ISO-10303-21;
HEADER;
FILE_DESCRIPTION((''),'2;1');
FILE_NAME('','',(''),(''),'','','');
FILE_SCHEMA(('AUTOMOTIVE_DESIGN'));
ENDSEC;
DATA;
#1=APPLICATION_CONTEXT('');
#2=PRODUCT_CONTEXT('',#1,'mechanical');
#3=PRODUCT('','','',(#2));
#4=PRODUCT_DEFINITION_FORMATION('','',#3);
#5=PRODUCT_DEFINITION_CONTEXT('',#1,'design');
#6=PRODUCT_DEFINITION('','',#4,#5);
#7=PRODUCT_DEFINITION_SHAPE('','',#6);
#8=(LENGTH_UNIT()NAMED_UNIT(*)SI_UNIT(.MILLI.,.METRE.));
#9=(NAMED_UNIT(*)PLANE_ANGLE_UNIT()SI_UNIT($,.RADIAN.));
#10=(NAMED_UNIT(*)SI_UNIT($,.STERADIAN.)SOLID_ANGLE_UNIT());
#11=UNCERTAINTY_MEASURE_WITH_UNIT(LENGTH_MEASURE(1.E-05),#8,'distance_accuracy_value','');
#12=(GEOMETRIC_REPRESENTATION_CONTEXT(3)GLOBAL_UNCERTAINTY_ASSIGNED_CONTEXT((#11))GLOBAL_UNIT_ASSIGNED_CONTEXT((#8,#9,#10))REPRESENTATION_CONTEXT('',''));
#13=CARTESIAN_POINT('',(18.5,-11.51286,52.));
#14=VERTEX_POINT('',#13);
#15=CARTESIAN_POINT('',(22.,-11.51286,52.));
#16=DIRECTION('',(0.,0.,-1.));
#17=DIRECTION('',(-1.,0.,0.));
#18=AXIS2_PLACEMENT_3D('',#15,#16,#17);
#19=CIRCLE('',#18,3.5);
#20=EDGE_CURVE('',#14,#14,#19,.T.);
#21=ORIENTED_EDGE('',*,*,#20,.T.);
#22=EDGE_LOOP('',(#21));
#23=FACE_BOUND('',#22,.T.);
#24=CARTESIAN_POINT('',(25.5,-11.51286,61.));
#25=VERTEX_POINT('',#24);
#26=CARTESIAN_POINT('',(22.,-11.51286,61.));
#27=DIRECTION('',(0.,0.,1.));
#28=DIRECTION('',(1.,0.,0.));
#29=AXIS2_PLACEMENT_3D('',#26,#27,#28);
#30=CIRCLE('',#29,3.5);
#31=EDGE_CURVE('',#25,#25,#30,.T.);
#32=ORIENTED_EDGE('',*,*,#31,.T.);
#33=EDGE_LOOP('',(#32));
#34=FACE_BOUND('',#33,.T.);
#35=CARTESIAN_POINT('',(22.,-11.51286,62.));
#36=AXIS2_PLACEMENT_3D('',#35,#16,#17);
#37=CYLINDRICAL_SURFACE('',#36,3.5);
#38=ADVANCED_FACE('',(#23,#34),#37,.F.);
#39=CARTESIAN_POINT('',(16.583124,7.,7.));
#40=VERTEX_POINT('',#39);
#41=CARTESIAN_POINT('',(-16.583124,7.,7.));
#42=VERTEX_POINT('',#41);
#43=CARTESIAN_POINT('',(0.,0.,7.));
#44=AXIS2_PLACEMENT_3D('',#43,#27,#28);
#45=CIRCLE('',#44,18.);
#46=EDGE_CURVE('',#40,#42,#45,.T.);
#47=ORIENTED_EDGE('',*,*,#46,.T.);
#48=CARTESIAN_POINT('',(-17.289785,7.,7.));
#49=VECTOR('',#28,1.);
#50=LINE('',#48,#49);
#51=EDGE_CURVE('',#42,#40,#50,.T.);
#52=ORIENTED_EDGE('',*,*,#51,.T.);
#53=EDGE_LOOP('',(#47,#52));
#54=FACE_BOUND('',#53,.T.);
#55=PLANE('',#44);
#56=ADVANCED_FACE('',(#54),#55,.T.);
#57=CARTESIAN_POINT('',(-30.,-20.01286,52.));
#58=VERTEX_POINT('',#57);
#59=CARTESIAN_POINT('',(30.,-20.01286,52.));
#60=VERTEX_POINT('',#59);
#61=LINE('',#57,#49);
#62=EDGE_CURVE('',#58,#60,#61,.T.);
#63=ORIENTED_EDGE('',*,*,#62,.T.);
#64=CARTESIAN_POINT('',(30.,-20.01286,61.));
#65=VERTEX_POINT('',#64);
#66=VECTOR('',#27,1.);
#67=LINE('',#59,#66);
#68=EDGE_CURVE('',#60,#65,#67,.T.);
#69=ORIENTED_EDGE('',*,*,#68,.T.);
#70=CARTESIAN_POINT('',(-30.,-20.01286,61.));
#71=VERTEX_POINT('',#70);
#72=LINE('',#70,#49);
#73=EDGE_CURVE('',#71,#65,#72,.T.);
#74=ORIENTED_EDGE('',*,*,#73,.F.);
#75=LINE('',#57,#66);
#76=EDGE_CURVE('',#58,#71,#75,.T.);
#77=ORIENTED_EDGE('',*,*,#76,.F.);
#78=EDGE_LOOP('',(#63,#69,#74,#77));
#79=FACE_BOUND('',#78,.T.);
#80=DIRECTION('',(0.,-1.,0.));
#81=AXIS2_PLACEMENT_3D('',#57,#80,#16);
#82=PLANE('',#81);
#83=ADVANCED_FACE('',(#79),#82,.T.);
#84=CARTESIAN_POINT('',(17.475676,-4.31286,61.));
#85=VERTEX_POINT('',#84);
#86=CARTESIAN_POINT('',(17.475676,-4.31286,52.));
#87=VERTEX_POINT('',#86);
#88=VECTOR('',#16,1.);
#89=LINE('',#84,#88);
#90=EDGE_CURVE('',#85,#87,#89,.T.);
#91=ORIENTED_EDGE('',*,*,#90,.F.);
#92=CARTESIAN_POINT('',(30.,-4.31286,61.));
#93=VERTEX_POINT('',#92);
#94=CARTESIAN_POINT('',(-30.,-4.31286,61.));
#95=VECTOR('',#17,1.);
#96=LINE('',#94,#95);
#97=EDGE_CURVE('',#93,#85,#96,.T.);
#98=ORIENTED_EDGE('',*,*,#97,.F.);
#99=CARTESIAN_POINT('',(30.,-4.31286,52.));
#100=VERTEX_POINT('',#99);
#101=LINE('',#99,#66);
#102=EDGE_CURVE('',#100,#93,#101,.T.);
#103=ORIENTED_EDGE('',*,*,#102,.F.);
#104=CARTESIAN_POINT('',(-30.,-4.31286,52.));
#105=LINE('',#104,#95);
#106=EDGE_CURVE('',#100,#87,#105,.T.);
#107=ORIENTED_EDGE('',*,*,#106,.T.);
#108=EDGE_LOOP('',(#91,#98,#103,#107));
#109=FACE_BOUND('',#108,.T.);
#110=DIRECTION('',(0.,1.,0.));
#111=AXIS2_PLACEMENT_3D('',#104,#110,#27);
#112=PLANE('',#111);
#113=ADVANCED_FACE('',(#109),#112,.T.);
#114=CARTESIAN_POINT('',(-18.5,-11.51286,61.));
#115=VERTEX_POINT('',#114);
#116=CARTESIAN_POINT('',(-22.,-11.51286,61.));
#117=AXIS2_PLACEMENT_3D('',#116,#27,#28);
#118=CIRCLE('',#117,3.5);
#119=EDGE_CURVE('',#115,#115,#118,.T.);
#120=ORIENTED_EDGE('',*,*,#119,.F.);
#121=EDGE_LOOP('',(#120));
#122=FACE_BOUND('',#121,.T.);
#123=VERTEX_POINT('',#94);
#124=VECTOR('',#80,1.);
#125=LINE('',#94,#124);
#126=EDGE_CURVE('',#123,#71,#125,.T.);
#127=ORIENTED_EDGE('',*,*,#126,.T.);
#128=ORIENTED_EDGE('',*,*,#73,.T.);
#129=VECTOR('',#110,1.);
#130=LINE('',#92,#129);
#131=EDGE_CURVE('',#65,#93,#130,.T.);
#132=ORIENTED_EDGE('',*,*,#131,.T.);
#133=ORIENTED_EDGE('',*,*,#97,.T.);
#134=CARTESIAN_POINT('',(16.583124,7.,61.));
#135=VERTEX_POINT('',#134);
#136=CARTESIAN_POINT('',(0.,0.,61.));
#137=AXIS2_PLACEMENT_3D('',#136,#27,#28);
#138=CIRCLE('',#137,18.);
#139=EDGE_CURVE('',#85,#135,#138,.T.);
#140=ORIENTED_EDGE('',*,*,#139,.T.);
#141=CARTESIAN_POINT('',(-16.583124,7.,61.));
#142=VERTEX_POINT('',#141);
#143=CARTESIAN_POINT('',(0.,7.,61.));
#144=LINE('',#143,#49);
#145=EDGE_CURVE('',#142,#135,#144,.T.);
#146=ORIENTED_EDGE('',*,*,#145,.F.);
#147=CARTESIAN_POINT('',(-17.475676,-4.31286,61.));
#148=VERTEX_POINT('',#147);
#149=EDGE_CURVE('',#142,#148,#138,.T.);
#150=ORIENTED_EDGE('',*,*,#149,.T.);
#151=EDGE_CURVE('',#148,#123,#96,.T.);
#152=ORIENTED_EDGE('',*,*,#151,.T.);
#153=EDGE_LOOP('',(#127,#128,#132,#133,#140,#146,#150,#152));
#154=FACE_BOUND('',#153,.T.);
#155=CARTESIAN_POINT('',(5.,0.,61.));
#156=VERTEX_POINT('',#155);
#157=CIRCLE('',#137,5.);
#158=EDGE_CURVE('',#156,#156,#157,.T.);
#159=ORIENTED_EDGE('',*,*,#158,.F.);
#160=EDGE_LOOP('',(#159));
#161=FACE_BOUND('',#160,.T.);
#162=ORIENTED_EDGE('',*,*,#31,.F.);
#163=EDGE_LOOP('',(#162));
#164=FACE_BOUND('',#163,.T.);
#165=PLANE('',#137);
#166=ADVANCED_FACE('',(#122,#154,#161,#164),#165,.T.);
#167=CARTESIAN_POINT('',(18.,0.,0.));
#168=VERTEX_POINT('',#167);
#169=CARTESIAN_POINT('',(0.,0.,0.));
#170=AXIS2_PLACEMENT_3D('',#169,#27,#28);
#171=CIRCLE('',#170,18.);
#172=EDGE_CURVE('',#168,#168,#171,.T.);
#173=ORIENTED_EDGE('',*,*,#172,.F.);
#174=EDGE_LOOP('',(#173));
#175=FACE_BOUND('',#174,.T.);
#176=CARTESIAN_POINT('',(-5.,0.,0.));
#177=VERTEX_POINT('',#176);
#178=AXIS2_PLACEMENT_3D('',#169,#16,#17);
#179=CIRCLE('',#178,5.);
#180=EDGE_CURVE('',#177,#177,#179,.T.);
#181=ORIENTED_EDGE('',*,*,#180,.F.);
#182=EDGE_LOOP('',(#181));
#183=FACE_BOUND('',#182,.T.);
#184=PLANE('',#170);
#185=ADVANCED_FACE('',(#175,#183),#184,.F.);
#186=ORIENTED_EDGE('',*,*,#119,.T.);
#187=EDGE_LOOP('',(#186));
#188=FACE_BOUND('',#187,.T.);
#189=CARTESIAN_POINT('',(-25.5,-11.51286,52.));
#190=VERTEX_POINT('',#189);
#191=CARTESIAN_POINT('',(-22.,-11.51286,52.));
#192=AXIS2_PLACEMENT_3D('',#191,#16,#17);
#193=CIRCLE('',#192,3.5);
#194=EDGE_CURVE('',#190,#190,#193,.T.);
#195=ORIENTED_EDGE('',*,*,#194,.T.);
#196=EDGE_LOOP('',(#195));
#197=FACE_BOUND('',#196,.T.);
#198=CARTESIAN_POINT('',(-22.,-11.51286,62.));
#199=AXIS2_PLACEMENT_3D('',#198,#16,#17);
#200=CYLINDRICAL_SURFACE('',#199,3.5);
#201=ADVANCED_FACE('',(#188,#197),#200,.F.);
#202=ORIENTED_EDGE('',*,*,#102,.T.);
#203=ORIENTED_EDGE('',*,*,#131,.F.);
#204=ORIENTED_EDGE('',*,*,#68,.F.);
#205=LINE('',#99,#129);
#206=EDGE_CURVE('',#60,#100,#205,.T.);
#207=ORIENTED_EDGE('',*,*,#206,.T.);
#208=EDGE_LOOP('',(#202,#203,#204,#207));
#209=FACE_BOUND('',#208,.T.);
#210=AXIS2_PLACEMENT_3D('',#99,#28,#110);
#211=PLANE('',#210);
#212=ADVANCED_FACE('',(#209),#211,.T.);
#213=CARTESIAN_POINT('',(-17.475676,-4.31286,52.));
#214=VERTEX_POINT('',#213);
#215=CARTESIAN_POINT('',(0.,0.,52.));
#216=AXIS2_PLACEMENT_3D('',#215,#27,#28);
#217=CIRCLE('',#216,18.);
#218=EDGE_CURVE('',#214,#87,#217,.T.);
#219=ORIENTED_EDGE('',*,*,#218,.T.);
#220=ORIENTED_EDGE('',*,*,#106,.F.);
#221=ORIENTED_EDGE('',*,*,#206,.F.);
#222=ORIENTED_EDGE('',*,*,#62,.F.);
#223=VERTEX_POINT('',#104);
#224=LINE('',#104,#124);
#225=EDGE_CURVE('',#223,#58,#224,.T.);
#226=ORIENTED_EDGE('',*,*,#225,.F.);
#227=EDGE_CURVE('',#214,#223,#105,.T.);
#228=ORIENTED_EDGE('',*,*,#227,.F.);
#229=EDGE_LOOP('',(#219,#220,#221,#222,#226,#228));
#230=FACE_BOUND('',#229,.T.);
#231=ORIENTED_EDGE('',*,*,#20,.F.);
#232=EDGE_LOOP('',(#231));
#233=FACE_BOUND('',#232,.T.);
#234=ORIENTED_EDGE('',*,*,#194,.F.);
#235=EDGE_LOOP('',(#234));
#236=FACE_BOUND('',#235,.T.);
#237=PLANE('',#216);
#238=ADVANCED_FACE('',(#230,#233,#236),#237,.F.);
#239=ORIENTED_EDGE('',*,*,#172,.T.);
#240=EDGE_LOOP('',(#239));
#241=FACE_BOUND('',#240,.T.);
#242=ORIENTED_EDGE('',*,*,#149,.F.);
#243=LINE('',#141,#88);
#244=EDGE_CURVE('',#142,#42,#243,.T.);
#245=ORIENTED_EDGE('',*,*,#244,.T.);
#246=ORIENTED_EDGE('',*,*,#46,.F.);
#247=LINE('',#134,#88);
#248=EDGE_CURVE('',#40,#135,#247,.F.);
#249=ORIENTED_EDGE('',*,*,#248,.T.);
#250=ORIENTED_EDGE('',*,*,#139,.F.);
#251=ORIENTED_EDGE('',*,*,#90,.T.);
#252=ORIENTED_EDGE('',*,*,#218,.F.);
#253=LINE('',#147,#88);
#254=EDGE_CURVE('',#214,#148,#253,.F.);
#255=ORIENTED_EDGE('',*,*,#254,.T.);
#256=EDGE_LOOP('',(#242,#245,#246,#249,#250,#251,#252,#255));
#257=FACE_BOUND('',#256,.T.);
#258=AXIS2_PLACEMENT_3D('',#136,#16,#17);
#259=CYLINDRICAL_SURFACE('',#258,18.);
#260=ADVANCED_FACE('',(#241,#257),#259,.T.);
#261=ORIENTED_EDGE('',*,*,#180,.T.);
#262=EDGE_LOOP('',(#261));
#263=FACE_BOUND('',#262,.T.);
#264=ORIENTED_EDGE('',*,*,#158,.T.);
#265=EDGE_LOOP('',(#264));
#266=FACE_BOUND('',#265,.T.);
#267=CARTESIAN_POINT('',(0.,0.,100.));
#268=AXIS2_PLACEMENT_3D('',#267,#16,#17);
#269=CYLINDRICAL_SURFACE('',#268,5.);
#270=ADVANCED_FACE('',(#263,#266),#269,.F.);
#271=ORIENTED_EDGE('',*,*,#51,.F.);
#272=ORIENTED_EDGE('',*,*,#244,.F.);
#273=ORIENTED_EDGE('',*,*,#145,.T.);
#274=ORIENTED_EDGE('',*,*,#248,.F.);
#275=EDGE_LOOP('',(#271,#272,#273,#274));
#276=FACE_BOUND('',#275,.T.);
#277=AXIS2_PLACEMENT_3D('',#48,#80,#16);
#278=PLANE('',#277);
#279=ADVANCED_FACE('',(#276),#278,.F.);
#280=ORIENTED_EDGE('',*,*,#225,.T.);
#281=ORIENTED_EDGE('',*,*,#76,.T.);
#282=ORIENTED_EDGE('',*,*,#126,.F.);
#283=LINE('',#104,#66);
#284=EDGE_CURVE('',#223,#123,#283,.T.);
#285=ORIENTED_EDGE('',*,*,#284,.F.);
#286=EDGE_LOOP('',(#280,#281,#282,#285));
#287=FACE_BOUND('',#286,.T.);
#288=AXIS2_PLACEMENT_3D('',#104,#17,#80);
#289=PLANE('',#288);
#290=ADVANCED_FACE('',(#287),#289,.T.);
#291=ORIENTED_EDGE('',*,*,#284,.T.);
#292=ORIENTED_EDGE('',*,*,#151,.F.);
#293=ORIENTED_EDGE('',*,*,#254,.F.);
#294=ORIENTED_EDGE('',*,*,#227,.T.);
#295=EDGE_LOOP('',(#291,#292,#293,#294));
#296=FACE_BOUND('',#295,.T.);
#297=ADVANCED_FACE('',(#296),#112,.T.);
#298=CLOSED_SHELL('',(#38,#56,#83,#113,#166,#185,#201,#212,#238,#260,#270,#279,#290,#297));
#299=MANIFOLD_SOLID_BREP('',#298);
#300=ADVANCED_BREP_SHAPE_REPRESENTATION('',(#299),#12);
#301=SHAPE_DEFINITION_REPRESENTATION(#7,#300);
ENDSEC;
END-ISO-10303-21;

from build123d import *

# Parameters (mm, degrees)
SKETCH1_R           = 18
BOSS_EXTRUDE1_DEPTH = 61
SKETCH2_W           = 39.528935746
SKETCH2_H           = 14.130439677
CUT_EXTRUDE1_DEPTH  = 54
SKETCH3_W           = 60
SKETCH3_H           = 15.7
BOSS_EXTRUDE2_DEPTH = 9
SKETCH4_R           = 3.5
CUT_EXTRUDE2_DEPTH  = 10
LPATTERN1_COUNT     = 2
LPATTERN1_PITCH     = 44
SKETCH6_R           = 5
CUT_EXTRUDE3_DEPTH  = 100


with BuildPart() as part:
    # Sketch1 → Boss-Extrude1 (new body)
    with BuildSketch(Plane.XY):
        Circle(SKETCH1_R)
    extrude(amount=BOSS_EXTRUDE1_DEPTH)

    # Sketch2 → Cut-Extrude1 (cut)
    with BuildSketch(Plane.XY.offset(61)):
        with Locations((2.474682956, 14.065219839)):
            Rectangle(SKETCH2_W, SKETCH2_H)
    extrude(amount=-CUT_EXTRUDE1_DEPTH, mode=Mode.SUBTRACT)

    # Sketch3 → Boss-Extrude2 (add)
    with BuildSketch(Plane.XY.offset(61)):
        with Locations((0, -12.16286005)):
            Rectangle(SKETCH3_W, SKETCH3_H)
    extrude(amount=-BOSS_EXTRUDE2_DEPTH)

    # Sketch4 → Cut-Extrude2 (cut)
    with BuildSketch(Plane(origin=(0, 0, 52), x_dir=(-1, 0, 0), z_dir=(0, 0, -1))):
        with Locations((-22, -11.51286005)):
            Circle(SKETCH4_R)
    cut_extrude2 = extrude(amount=-CUT_EXTRUDE2_DEPTH, mode=Mode.SUBTRACT)

    # LPattern1: Cut-Extrude2 ×2
    with Locations(*[(-i * LPATTERN1_PITCH, 0, 0) for i in range(1, LPATTERN1_COUNT)]):
        add(cut_extrude2, mode=Mode.SUBTRACT)

    # Sketch6 → Cut-Extrude3 (cut)
    with BuildSketch(Plane(origin=(0, 0, 0), x_dir=(-1, 0, 0), z_dir=(0, 0, -1))):
        Circle(SKETCH6_R)
    extrude(amount=-CUT_EXTRUDE3_DEPTH, mode=Mode.SUBTRACT)


solid = part.part
